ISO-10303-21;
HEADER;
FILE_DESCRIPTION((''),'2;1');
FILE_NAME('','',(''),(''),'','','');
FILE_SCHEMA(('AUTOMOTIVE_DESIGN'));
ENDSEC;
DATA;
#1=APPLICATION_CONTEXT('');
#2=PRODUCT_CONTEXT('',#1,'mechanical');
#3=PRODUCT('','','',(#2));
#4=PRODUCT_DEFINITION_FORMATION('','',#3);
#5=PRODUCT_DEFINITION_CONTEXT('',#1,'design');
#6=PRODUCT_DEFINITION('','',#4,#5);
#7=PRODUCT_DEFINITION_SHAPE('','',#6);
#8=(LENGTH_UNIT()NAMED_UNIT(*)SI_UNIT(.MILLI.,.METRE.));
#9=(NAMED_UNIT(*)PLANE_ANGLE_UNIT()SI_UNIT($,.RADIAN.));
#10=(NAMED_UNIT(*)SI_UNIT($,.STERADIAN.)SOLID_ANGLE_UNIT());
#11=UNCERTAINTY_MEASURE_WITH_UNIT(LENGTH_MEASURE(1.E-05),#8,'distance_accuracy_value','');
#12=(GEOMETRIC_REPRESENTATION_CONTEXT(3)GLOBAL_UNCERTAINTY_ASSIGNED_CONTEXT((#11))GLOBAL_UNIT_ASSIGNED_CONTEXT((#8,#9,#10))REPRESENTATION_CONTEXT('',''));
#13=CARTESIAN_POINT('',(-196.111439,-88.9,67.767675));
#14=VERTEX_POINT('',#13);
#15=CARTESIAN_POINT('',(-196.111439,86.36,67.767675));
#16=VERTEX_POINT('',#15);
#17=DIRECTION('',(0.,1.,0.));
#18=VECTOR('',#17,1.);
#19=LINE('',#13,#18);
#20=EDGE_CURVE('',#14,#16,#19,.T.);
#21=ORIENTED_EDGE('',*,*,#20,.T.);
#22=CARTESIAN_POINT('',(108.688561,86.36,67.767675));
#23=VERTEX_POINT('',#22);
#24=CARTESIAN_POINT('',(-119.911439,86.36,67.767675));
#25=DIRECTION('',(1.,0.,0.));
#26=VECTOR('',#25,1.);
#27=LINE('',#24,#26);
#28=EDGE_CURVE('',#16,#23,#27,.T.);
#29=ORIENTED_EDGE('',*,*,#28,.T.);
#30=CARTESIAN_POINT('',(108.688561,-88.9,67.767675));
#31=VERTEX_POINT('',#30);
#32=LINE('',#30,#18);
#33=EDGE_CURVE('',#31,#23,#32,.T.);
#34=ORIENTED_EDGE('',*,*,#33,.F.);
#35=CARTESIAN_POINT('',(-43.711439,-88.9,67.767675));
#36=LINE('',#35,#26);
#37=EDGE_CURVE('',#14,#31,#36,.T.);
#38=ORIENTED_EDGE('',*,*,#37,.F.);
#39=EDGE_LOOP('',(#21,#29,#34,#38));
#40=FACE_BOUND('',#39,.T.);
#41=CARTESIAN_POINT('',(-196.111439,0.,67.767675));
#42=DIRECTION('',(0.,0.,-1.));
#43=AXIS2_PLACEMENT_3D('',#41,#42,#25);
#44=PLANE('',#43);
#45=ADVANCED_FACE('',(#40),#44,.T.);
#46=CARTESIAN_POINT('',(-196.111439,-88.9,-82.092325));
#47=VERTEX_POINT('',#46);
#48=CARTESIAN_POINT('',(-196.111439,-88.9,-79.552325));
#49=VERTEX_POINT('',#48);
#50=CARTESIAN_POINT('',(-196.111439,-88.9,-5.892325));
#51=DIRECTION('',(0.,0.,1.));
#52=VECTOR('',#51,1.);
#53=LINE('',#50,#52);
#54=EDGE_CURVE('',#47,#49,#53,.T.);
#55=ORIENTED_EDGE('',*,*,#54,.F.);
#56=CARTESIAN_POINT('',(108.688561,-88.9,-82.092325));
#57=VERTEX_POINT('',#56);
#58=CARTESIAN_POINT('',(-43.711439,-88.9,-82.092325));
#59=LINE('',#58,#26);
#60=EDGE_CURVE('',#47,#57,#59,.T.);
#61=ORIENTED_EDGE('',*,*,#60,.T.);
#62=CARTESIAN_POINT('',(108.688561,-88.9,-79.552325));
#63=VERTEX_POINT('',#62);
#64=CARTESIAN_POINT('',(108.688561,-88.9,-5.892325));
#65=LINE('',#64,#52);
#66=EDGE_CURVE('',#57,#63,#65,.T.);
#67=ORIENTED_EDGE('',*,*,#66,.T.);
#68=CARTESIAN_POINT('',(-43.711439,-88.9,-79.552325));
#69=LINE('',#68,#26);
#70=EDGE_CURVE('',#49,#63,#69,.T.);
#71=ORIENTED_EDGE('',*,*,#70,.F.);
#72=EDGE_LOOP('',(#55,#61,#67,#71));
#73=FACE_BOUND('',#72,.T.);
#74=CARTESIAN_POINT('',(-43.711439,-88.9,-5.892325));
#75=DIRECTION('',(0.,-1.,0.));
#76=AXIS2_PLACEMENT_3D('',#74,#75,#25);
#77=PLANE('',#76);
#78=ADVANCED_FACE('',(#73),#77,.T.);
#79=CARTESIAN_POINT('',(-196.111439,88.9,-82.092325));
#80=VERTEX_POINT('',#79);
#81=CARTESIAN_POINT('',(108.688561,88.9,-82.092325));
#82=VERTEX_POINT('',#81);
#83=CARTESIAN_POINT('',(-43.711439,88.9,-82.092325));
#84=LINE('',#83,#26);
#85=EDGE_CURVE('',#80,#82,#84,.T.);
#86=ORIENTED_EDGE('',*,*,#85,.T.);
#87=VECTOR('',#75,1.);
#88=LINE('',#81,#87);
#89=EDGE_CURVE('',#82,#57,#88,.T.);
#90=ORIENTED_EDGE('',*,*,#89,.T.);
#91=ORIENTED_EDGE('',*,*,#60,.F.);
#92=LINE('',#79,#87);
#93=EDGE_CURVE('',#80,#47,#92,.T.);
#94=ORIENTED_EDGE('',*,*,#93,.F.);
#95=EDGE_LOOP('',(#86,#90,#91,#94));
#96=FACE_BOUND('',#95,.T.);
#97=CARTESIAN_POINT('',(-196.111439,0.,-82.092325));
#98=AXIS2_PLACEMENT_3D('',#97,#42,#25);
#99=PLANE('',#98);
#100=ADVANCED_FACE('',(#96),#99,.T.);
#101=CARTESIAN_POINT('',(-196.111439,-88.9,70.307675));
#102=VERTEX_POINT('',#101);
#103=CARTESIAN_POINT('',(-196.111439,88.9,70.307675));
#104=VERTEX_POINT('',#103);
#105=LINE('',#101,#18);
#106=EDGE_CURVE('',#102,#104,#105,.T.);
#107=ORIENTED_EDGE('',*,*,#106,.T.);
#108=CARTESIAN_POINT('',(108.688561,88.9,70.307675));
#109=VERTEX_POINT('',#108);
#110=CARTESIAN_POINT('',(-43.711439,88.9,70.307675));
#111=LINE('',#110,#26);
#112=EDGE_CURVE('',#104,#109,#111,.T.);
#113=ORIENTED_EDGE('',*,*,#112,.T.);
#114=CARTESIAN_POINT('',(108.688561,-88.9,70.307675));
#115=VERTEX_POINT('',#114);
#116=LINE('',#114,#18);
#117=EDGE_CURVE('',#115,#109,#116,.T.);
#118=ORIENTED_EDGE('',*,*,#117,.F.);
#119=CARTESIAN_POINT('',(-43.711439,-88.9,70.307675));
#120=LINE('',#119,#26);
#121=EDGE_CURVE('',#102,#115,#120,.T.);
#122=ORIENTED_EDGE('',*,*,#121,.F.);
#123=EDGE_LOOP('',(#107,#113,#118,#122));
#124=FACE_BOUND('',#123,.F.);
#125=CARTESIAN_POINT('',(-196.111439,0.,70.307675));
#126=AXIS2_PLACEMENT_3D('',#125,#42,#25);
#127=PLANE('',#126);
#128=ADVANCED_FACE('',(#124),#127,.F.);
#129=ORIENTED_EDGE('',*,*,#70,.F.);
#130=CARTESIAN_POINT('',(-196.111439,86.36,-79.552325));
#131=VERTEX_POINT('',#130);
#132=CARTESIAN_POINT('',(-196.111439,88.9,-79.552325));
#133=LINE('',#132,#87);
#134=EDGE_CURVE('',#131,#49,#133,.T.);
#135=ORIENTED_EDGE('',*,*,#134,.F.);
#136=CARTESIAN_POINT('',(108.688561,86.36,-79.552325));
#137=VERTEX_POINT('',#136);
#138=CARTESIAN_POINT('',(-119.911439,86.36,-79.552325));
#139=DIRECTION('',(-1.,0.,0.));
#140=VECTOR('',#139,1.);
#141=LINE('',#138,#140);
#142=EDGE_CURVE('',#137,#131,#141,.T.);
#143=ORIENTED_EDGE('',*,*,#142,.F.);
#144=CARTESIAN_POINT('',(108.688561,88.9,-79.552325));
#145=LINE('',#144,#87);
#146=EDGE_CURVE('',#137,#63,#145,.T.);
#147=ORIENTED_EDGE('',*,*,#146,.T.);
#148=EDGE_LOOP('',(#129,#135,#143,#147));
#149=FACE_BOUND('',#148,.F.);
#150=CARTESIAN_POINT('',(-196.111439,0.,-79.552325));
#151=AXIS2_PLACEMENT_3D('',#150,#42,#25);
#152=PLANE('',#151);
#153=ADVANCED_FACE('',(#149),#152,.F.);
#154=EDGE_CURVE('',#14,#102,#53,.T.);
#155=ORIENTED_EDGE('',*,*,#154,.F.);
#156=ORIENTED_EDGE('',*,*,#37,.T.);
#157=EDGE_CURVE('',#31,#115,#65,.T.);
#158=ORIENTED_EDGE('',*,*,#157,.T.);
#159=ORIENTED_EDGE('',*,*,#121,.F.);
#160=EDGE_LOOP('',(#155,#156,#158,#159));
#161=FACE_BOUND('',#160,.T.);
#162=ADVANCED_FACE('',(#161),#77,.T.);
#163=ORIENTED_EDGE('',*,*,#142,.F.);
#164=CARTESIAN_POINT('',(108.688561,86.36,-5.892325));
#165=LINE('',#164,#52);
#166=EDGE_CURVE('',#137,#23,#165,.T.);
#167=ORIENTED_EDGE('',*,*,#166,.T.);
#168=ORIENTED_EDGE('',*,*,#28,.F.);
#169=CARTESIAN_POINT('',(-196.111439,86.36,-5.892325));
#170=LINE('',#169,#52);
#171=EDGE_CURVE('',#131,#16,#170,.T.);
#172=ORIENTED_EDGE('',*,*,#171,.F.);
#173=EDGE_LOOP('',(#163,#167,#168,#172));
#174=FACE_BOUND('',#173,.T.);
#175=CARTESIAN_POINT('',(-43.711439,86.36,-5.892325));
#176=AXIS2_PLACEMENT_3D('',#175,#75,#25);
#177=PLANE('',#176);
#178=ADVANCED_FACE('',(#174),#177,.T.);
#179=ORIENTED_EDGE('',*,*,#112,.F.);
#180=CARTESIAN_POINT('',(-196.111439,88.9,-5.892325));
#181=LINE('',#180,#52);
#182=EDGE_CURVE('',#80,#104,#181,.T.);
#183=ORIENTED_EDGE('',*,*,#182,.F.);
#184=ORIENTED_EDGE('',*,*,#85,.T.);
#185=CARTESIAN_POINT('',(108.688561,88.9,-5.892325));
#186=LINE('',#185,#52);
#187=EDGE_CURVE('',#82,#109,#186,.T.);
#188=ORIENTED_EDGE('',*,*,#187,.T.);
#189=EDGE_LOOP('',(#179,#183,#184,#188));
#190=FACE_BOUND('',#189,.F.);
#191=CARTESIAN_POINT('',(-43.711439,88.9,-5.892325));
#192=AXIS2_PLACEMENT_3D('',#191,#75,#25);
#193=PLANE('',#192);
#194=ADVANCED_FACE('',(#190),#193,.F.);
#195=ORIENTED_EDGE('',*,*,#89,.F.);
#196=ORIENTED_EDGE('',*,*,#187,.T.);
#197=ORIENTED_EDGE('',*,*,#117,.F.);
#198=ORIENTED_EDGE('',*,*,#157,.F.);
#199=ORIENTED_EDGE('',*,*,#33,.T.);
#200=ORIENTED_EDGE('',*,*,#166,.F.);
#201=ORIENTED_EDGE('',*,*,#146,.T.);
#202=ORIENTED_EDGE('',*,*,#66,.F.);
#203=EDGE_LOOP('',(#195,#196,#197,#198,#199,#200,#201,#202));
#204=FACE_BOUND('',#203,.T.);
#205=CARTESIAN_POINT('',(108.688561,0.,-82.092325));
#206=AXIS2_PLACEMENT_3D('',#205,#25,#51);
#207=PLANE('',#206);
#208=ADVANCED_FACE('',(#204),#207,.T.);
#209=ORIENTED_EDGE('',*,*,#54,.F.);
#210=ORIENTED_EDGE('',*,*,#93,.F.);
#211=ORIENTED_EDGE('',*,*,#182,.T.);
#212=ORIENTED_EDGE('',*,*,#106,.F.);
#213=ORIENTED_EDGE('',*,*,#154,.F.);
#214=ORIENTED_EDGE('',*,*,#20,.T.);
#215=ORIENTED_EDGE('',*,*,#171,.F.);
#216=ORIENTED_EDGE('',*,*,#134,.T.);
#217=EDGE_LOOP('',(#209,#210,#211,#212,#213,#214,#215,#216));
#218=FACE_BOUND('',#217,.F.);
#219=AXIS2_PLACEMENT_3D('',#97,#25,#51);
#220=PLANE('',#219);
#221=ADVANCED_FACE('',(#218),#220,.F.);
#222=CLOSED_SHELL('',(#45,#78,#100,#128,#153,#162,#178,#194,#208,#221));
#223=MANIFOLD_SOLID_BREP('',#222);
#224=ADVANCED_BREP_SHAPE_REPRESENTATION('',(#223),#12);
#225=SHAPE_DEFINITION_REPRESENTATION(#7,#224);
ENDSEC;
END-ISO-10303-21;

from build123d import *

# Parameters (mm, degrees)
F0_W     = 304.8
F0_H     = 152.4
F1_DEPTH = 88.9
F2_T     = -2.54


with BuildPart() as f1:
    # F0 (on Front) → F1 (new body, symmetric)
    with BuildSketch(Plane.XZ):
        with Locations((-43.711439, -5.892325)):
            Rectangle(F0_W, F0_H)
    extrude(amount=F1_DEPTH, both=True)

    # F2
    f2_openings = [f1.faces().sort_by_distance(p)[0] for p in [
        (-43.711439, -88.9, -5.892325),
        (-196.111439, 0, -5.892325),
        (108.688561, 0, -5.892325),
    ]]
    offset(amount=F2_T, openings=f2_openings)


solid = f1.part
